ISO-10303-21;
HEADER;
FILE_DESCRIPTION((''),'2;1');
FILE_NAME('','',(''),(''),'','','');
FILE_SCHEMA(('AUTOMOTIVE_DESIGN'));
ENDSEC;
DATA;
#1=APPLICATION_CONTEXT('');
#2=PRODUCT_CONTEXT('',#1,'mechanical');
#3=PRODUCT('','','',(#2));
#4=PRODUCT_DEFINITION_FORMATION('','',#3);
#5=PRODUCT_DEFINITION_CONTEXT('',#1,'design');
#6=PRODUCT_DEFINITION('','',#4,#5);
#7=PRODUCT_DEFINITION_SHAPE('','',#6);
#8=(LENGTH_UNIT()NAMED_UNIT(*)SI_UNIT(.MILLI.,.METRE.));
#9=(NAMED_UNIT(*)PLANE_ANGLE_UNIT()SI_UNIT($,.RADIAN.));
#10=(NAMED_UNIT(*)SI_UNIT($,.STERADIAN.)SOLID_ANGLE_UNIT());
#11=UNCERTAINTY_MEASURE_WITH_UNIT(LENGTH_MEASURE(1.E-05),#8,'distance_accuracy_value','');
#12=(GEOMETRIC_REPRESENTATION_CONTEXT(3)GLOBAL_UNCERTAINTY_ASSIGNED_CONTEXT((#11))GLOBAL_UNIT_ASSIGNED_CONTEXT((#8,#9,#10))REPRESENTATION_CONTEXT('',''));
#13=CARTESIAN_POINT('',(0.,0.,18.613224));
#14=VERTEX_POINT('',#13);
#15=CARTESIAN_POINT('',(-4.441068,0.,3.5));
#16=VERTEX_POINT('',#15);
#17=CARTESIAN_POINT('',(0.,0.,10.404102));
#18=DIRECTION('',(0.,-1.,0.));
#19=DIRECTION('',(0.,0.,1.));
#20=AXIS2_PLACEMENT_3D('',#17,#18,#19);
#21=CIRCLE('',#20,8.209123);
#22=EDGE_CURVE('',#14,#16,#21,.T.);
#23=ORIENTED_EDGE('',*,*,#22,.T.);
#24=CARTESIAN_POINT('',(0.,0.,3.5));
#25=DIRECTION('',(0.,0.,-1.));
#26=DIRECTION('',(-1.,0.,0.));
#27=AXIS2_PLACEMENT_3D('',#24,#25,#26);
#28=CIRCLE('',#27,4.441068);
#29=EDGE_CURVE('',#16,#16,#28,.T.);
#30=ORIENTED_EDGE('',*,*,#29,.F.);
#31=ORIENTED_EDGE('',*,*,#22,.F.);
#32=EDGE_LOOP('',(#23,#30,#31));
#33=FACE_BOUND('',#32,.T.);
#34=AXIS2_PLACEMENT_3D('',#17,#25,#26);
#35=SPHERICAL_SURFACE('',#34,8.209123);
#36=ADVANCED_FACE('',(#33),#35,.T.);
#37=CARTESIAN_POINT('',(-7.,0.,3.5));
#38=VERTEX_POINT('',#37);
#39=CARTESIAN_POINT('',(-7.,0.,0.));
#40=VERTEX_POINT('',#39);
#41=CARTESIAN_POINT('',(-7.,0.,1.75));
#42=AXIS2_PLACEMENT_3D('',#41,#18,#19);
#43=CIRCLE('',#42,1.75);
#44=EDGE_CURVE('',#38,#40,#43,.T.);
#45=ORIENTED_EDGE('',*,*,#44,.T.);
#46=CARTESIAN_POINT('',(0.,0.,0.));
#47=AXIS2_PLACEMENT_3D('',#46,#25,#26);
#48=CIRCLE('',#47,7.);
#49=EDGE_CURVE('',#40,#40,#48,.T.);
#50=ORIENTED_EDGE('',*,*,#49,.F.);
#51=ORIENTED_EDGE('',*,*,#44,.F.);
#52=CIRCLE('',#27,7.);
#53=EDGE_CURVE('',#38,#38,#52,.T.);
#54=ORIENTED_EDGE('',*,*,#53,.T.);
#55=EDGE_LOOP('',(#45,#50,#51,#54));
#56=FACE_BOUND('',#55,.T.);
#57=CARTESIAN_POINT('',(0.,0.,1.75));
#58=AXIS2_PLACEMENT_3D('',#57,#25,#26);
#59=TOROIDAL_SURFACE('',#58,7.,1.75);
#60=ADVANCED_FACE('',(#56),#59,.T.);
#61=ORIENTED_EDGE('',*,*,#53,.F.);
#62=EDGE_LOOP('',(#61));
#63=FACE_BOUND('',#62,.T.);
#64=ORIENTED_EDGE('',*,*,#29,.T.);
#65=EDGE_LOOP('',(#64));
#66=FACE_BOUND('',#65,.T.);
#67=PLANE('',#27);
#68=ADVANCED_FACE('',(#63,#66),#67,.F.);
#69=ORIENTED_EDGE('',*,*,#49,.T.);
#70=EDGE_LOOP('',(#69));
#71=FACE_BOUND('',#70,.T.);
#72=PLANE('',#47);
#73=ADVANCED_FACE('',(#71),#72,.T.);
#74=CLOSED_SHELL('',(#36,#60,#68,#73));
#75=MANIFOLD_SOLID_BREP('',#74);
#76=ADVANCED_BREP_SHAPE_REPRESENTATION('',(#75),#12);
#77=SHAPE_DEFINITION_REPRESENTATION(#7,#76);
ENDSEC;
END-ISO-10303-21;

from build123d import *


with BuildPart() as f1:
    # F0 (on Front) → F1 (revolve)
    with BuildSketch(Plane.XZ):
        with BuildLine():
            Line((-4.4410675122, 3.5), (0, 3.5))
            Line((0, 3.5), (0, 18.6132244967))
            ThreePointArc((0, 18.6132244967), (-7.8761131806, 12.7185216609), (-4.4410675122, 3.5))
        make_face()
        with BuildLine():
            Line((-7, 0), (0, 0))
            Line((0, 0), (0, 2.1949786492))
            ThreePointArc((0, 2.1949786492), (-2.3144200879, 2.5279883923), (-4.4410675122, 3.5))
            Line((-4.4410675122, 3.5), (-7, 3.5))
            Line((-7, 3.5), (-7, 0))
        make_face()
        with BuildLine():
            ThreePointArc((-7, 3.5), (-8.75, 1.75), (-7, 0))
            Line((-7, 0), (-7, 3.5))
        make_face()
        with BuildLine():
            ThreePointArc((-4.4410675122, 3.5), (-2.3144200879, 2.5279883923), (0, 2.1949786492))
            Line((0, 2.1949786492), (0, 3.5))
            Line((0, 3.5), (-4.4410675122, 3.5))
        make_face()
    revolve(axis=Axis((0, 0, 9.3066122483), (0, 0, -1)))


solid = f1.part
